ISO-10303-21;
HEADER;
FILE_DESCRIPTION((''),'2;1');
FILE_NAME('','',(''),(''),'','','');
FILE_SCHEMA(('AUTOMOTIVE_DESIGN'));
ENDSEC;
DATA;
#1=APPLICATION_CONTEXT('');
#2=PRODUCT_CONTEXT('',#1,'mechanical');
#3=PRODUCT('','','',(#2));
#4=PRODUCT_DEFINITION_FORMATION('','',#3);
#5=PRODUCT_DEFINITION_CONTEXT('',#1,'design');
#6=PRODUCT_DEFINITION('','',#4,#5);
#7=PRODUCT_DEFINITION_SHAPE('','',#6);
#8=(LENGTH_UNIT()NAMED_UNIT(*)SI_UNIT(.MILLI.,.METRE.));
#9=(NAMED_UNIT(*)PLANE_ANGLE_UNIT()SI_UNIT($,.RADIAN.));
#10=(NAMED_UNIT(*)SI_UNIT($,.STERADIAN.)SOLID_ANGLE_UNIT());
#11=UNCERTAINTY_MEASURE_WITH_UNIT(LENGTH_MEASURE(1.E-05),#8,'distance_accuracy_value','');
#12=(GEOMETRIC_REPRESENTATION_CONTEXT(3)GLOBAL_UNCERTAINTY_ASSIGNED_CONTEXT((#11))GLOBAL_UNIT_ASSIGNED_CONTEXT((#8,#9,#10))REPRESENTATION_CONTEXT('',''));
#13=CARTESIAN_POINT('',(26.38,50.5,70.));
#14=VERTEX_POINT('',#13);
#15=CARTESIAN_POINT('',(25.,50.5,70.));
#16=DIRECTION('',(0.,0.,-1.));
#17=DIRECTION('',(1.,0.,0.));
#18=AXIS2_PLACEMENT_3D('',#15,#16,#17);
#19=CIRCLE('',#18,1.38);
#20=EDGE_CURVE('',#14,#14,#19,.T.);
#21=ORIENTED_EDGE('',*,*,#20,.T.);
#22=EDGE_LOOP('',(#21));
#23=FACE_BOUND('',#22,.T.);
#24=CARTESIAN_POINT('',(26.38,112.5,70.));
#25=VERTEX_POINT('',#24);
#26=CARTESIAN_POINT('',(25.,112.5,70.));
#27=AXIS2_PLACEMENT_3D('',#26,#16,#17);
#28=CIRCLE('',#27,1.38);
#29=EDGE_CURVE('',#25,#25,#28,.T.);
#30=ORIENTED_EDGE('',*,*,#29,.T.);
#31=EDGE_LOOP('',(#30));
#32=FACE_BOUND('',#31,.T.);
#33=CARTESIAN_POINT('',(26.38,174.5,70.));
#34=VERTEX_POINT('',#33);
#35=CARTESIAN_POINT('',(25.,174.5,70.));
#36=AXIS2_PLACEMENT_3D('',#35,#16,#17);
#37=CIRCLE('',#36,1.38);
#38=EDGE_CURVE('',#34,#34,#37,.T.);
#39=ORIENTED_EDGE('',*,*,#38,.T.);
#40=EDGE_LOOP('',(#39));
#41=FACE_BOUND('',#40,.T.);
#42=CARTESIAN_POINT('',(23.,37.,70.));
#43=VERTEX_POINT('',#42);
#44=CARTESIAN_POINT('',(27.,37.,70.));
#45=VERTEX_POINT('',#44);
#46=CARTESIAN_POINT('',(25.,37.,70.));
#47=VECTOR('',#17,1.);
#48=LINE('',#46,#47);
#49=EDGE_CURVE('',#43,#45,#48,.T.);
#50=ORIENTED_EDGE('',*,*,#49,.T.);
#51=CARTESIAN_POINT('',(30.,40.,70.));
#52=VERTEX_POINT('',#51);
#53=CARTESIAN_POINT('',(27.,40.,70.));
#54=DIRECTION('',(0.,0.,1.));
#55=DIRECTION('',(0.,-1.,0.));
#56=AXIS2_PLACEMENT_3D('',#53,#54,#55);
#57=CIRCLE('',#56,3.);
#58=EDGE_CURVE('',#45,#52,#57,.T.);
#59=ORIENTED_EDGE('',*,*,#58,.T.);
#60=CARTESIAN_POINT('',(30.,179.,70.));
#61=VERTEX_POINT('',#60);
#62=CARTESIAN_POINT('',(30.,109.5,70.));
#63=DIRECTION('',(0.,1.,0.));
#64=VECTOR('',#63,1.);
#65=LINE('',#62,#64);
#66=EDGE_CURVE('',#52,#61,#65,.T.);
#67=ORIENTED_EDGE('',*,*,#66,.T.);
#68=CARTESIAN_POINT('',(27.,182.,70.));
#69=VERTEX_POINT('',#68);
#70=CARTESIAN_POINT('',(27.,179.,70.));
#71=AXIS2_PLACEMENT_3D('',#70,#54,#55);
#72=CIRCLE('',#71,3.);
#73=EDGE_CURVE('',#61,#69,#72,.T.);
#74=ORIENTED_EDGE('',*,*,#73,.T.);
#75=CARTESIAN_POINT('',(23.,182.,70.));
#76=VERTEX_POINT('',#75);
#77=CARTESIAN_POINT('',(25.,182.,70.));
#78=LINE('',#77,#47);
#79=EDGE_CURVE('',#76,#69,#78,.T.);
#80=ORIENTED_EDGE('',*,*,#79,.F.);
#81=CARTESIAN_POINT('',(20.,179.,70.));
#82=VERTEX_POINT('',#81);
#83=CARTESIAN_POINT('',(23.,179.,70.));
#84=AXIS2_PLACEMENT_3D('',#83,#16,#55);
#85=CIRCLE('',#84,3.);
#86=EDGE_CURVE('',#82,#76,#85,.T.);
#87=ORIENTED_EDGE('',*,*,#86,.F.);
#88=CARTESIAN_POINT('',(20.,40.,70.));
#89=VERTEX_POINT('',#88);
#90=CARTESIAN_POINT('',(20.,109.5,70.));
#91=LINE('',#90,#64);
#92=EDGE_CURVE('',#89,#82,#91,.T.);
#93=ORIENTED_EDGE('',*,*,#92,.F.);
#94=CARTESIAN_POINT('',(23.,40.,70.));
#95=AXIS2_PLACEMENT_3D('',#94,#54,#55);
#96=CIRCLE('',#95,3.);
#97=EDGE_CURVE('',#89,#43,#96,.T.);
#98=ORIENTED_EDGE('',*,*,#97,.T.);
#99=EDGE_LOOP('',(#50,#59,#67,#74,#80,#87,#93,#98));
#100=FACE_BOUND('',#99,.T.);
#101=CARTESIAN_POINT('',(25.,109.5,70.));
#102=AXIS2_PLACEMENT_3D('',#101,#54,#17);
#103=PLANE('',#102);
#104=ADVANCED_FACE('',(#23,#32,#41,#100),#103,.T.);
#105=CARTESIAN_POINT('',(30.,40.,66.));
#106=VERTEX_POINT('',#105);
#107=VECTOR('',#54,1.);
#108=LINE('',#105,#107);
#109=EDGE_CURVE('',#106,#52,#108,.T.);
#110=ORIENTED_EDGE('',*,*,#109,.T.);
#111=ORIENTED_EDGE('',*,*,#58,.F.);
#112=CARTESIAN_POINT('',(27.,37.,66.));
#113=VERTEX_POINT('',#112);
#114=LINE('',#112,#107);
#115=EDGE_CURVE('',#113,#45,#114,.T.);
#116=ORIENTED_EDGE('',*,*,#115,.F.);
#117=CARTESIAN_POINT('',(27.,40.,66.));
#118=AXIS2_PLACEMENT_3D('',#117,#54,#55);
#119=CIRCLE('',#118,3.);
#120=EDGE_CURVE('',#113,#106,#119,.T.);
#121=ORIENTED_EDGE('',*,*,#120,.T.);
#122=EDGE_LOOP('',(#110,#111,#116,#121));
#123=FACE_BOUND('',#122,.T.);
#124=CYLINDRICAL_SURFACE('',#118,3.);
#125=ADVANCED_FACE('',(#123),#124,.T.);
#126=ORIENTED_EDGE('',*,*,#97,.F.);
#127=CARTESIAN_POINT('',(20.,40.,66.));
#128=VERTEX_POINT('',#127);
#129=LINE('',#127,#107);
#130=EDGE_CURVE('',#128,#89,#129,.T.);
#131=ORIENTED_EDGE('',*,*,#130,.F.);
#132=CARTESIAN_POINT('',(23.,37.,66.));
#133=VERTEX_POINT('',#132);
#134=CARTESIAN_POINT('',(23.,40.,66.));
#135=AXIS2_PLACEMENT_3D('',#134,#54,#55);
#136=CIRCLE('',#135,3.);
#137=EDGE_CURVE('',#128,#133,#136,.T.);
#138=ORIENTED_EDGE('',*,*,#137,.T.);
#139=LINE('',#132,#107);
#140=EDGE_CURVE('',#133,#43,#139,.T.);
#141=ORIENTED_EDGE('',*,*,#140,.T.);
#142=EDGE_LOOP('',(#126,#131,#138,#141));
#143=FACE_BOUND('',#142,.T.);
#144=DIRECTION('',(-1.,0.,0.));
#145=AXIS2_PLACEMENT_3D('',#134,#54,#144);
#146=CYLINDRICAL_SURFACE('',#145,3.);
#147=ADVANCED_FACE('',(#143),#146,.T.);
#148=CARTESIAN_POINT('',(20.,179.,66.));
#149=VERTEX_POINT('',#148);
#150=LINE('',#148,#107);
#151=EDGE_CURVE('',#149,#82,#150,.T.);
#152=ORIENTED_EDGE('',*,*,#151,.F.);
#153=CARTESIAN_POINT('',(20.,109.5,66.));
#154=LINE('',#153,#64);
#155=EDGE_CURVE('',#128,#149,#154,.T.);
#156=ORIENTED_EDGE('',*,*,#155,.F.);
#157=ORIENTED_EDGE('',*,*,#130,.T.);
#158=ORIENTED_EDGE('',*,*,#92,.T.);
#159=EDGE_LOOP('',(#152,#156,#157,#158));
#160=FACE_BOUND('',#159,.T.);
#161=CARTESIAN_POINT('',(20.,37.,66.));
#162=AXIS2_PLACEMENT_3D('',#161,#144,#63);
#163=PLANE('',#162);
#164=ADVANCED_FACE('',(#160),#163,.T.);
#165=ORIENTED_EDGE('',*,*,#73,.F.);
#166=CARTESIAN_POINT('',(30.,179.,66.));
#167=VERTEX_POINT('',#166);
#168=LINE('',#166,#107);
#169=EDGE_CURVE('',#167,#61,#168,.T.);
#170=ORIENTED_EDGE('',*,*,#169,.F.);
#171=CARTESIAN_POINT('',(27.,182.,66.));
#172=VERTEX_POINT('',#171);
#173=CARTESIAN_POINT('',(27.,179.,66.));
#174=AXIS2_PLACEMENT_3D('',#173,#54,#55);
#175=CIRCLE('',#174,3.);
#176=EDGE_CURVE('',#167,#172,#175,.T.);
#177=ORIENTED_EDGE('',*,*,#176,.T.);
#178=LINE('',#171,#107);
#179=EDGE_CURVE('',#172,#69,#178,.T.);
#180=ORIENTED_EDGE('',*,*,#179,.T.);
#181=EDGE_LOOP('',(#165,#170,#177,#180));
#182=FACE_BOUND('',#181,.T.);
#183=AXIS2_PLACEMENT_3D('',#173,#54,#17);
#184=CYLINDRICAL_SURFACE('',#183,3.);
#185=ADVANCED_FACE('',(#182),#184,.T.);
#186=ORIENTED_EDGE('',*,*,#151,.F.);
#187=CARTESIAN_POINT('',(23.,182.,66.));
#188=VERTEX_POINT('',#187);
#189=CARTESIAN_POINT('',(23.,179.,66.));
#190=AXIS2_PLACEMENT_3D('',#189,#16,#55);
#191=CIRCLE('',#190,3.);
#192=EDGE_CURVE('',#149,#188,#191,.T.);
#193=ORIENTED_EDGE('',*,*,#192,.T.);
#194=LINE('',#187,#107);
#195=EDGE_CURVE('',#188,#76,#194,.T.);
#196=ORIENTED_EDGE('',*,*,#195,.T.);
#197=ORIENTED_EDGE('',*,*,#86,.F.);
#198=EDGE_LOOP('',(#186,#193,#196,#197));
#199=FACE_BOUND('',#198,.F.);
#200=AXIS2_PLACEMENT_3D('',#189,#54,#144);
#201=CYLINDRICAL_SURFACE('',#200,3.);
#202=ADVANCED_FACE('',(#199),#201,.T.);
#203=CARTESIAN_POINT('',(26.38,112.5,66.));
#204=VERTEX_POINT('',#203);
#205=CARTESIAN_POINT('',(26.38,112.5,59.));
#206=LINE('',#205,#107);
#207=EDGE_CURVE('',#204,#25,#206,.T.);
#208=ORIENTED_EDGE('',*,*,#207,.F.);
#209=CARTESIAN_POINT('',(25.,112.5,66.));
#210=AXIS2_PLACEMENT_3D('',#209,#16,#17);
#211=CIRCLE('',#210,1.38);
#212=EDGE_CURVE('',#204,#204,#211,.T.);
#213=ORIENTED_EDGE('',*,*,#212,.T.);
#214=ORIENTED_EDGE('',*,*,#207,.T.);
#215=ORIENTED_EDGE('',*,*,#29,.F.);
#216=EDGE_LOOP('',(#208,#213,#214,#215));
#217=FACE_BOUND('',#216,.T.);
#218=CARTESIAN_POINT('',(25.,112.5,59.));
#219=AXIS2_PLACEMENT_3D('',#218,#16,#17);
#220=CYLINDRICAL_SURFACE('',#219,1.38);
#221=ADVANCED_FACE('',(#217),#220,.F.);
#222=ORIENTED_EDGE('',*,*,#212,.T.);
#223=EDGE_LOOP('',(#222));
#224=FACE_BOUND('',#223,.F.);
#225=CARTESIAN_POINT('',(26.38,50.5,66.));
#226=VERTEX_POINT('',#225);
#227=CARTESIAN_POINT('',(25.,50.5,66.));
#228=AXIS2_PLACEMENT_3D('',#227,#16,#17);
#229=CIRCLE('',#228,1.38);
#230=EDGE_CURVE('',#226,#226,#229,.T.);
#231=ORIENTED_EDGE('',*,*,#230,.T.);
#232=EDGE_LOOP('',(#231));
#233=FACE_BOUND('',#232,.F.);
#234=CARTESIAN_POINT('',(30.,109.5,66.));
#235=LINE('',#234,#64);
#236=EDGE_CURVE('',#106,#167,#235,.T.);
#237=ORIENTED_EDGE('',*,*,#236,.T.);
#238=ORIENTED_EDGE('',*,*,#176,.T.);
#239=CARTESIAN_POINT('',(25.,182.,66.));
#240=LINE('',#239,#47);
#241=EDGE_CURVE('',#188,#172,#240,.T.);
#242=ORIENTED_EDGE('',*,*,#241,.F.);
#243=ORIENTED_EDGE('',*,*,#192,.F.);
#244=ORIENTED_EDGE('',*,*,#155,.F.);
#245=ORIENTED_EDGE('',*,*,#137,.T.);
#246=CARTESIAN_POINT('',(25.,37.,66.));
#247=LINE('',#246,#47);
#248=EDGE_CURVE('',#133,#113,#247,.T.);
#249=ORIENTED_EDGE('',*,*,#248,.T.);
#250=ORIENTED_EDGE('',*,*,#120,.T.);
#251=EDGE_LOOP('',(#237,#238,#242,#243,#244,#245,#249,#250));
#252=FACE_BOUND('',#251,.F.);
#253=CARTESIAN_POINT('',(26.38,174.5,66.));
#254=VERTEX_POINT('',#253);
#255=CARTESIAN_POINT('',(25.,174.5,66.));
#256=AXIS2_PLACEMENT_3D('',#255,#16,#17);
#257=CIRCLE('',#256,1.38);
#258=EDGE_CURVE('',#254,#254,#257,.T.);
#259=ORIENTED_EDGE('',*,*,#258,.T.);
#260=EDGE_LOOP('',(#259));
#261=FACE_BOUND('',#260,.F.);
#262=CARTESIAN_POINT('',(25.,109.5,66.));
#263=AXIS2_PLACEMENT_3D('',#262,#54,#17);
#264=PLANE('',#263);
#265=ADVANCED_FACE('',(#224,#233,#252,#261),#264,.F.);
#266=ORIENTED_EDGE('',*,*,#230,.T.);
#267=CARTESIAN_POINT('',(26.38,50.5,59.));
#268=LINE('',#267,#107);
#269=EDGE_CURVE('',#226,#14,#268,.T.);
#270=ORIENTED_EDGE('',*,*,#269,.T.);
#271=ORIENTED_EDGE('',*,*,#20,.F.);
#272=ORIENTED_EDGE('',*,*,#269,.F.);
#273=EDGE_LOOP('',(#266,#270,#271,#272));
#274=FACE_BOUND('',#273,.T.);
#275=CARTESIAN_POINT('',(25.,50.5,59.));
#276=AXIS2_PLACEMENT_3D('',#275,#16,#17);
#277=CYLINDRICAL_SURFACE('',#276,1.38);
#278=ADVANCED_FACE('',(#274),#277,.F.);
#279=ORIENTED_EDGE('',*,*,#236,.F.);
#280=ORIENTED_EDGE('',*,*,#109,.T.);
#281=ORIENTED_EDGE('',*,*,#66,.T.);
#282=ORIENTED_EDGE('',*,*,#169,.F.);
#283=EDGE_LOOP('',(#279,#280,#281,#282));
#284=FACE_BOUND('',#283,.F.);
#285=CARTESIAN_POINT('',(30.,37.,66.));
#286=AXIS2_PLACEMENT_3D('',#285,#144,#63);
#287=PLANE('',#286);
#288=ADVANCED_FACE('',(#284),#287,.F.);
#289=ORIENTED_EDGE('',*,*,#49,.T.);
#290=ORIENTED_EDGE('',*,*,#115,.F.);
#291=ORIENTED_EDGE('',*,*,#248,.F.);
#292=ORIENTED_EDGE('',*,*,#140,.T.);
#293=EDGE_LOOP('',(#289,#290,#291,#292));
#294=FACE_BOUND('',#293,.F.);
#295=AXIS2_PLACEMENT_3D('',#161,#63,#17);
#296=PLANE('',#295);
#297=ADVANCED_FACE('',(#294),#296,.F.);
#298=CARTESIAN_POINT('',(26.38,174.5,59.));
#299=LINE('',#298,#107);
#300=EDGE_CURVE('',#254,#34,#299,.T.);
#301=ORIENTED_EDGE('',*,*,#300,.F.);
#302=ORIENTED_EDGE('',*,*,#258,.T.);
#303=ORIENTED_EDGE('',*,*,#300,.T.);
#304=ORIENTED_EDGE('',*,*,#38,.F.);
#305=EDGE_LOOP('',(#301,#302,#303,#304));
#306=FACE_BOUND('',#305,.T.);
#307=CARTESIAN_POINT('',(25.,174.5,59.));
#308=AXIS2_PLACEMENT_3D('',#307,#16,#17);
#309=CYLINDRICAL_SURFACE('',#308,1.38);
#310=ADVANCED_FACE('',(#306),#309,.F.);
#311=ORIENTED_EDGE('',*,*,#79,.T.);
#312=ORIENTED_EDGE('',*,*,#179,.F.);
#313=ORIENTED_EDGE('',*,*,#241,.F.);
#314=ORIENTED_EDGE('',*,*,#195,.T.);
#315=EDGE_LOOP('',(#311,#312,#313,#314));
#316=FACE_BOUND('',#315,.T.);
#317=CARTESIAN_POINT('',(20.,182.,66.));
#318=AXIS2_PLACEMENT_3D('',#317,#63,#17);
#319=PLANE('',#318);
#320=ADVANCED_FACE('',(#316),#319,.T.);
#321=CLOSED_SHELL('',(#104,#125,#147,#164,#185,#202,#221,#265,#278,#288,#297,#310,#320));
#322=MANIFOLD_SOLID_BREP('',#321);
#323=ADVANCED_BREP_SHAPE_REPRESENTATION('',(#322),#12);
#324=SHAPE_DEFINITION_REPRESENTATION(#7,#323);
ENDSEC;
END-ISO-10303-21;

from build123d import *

# Parameters (mm, degrees)
CYLINDER095_R     = 1.38
CYLINDER095_DEPTH = 13
CYLINDER097_R     = 1.38
CYLINDER097_DEPTH = 13
CYLINDER096_R     = 1.38
CYLINDER096_DEPTH = 13
BOX050_W          = 10
BOX050_H          = 145
BOX050_DEPTH      = 4
FILLET011_R       = 3


with BuildPart() as cylinder095:
    # Cylinder095 → Cylinder095 (new body)
    with BuildSketch(Plane(origin=(25, 188.5, 59), x_dir=(1, 0, 0), z_dir=(0, 0, 1))):
        Circle(CYLINDER095_R)
    extrude(amount=CYLINDER095_DEPTH)


with BuildPart() as cylinder097:
    # Cylinder097 → Cylinder097 (new body)
    with BuildSketch(Plane(origin=(25, 126.5, 59), x_dir=(1, 0, 0), z_dir=(0, 0, 1))):
        Circle(CYLINDER097_R)
    extrude(amount=CYLINDER097_DEPTH)


with BuildPart() as cylinder096:
    # Cylinder096 → Cylinder096 (new body)
    with BuildSketch(Plane(origin=(25, 64.5, 59), x_dir=(1, 0, 0), z_dir=(0, 0, 1))):
        Circle(CYLINDER096_R)
    extrude(amount=CYLINDER096_DEPTH)


with BuildPart() as uni_n_placas_final_neg:
    # Box050 → Box050 (new body)
    with BuildSketch(Plane(origin=(20, 51, 66), x_dir=(1, 0, 0), z_dir=(0, 0, 1))):
        with Locations((5, 72.5)):
            Rectangle(BOX050_W, BOX050_H)
    extrude(amount=BOX050_DEPTH)

    # Fillet011
    fillet011_edges = [uni_n_placas_final_neg.edges().sort_by_distance(p)[0] for p in [
        (20, 51, 68),
        (20, 196, 68),
        (30, 51, 68),
        (30, 196, 68),
    ]]
    fillet(fillet011_edges, radius=FILLET011_R)

    # Cut067: cut Cylinder096
    add(cylinder096.part, mode=Mode.SUBTRACT)

    # Cut068: cut Cylinder097
    add(cylinder097.part, mode=Mode.SUBTRACT)

    # Cut069: cut Cylinder095
    add(cylinder095.part, mode=Mode.SUBTRACT)


with BuildPart() as uni_n_placas_final_neg_1:
    # Cut069 placement: moved
    add(uni_n_placas_final_neg.part.moved(Location((0, -14, 0))))


solid = uni_n_placas_final_neg_1.part
